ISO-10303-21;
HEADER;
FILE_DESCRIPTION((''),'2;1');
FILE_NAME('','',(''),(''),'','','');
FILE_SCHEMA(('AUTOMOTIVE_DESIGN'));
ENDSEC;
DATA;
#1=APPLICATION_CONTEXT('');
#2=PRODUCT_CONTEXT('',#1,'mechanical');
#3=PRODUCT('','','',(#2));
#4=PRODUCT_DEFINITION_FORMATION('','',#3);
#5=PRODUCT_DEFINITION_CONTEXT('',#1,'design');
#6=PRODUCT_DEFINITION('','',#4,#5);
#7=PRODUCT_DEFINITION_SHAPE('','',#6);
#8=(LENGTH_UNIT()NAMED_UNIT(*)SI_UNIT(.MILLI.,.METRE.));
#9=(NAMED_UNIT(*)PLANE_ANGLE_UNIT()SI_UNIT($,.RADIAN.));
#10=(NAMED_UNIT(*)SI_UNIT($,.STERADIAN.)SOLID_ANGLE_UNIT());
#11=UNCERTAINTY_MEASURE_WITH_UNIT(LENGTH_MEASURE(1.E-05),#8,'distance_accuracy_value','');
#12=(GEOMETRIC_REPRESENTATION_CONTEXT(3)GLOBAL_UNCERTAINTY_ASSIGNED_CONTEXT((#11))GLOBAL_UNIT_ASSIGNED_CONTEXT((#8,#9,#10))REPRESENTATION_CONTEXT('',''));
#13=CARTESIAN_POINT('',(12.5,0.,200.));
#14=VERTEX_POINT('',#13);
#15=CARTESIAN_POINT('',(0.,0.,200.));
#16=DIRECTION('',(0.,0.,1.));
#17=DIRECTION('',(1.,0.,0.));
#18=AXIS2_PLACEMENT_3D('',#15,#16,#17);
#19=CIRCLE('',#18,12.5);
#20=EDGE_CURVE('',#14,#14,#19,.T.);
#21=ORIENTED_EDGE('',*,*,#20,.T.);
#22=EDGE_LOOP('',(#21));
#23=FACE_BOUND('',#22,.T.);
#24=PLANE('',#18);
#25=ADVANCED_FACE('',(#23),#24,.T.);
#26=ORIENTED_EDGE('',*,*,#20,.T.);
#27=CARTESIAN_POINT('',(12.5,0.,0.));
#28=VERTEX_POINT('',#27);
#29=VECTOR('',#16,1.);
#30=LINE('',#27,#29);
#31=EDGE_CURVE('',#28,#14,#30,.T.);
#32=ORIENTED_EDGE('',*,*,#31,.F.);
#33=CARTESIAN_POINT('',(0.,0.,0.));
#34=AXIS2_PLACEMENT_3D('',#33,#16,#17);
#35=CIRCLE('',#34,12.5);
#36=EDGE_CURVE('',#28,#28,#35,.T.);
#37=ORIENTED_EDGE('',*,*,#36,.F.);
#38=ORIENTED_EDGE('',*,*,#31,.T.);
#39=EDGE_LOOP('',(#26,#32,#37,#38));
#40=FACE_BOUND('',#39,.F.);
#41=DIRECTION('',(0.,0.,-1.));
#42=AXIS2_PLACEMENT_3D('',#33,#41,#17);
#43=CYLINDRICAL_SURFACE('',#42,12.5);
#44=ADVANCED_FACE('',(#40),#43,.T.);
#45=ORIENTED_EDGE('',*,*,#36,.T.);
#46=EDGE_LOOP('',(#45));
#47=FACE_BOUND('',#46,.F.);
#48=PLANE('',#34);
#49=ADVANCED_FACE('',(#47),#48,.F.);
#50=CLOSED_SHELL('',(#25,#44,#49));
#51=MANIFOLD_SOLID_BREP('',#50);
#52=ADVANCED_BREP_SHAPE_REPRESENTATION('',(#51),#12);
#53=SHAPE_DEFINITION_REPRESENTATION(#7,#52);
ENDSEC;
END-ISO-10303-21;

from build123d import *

# Parameters (mm, degrees)
SKETCH1_R           = 12.5
BOSS_EXTRUDE1_DEPTH = 200


with BuildPart() as part:
    # Sketch1 → Boss-Extrude1 (new body)
    with BuildSketch(Plane.XY):
        Circle(SKETCH1_R)
    extrude(amount=BOSS_EXTRUDE1_DEPTH)


solid = part.part
